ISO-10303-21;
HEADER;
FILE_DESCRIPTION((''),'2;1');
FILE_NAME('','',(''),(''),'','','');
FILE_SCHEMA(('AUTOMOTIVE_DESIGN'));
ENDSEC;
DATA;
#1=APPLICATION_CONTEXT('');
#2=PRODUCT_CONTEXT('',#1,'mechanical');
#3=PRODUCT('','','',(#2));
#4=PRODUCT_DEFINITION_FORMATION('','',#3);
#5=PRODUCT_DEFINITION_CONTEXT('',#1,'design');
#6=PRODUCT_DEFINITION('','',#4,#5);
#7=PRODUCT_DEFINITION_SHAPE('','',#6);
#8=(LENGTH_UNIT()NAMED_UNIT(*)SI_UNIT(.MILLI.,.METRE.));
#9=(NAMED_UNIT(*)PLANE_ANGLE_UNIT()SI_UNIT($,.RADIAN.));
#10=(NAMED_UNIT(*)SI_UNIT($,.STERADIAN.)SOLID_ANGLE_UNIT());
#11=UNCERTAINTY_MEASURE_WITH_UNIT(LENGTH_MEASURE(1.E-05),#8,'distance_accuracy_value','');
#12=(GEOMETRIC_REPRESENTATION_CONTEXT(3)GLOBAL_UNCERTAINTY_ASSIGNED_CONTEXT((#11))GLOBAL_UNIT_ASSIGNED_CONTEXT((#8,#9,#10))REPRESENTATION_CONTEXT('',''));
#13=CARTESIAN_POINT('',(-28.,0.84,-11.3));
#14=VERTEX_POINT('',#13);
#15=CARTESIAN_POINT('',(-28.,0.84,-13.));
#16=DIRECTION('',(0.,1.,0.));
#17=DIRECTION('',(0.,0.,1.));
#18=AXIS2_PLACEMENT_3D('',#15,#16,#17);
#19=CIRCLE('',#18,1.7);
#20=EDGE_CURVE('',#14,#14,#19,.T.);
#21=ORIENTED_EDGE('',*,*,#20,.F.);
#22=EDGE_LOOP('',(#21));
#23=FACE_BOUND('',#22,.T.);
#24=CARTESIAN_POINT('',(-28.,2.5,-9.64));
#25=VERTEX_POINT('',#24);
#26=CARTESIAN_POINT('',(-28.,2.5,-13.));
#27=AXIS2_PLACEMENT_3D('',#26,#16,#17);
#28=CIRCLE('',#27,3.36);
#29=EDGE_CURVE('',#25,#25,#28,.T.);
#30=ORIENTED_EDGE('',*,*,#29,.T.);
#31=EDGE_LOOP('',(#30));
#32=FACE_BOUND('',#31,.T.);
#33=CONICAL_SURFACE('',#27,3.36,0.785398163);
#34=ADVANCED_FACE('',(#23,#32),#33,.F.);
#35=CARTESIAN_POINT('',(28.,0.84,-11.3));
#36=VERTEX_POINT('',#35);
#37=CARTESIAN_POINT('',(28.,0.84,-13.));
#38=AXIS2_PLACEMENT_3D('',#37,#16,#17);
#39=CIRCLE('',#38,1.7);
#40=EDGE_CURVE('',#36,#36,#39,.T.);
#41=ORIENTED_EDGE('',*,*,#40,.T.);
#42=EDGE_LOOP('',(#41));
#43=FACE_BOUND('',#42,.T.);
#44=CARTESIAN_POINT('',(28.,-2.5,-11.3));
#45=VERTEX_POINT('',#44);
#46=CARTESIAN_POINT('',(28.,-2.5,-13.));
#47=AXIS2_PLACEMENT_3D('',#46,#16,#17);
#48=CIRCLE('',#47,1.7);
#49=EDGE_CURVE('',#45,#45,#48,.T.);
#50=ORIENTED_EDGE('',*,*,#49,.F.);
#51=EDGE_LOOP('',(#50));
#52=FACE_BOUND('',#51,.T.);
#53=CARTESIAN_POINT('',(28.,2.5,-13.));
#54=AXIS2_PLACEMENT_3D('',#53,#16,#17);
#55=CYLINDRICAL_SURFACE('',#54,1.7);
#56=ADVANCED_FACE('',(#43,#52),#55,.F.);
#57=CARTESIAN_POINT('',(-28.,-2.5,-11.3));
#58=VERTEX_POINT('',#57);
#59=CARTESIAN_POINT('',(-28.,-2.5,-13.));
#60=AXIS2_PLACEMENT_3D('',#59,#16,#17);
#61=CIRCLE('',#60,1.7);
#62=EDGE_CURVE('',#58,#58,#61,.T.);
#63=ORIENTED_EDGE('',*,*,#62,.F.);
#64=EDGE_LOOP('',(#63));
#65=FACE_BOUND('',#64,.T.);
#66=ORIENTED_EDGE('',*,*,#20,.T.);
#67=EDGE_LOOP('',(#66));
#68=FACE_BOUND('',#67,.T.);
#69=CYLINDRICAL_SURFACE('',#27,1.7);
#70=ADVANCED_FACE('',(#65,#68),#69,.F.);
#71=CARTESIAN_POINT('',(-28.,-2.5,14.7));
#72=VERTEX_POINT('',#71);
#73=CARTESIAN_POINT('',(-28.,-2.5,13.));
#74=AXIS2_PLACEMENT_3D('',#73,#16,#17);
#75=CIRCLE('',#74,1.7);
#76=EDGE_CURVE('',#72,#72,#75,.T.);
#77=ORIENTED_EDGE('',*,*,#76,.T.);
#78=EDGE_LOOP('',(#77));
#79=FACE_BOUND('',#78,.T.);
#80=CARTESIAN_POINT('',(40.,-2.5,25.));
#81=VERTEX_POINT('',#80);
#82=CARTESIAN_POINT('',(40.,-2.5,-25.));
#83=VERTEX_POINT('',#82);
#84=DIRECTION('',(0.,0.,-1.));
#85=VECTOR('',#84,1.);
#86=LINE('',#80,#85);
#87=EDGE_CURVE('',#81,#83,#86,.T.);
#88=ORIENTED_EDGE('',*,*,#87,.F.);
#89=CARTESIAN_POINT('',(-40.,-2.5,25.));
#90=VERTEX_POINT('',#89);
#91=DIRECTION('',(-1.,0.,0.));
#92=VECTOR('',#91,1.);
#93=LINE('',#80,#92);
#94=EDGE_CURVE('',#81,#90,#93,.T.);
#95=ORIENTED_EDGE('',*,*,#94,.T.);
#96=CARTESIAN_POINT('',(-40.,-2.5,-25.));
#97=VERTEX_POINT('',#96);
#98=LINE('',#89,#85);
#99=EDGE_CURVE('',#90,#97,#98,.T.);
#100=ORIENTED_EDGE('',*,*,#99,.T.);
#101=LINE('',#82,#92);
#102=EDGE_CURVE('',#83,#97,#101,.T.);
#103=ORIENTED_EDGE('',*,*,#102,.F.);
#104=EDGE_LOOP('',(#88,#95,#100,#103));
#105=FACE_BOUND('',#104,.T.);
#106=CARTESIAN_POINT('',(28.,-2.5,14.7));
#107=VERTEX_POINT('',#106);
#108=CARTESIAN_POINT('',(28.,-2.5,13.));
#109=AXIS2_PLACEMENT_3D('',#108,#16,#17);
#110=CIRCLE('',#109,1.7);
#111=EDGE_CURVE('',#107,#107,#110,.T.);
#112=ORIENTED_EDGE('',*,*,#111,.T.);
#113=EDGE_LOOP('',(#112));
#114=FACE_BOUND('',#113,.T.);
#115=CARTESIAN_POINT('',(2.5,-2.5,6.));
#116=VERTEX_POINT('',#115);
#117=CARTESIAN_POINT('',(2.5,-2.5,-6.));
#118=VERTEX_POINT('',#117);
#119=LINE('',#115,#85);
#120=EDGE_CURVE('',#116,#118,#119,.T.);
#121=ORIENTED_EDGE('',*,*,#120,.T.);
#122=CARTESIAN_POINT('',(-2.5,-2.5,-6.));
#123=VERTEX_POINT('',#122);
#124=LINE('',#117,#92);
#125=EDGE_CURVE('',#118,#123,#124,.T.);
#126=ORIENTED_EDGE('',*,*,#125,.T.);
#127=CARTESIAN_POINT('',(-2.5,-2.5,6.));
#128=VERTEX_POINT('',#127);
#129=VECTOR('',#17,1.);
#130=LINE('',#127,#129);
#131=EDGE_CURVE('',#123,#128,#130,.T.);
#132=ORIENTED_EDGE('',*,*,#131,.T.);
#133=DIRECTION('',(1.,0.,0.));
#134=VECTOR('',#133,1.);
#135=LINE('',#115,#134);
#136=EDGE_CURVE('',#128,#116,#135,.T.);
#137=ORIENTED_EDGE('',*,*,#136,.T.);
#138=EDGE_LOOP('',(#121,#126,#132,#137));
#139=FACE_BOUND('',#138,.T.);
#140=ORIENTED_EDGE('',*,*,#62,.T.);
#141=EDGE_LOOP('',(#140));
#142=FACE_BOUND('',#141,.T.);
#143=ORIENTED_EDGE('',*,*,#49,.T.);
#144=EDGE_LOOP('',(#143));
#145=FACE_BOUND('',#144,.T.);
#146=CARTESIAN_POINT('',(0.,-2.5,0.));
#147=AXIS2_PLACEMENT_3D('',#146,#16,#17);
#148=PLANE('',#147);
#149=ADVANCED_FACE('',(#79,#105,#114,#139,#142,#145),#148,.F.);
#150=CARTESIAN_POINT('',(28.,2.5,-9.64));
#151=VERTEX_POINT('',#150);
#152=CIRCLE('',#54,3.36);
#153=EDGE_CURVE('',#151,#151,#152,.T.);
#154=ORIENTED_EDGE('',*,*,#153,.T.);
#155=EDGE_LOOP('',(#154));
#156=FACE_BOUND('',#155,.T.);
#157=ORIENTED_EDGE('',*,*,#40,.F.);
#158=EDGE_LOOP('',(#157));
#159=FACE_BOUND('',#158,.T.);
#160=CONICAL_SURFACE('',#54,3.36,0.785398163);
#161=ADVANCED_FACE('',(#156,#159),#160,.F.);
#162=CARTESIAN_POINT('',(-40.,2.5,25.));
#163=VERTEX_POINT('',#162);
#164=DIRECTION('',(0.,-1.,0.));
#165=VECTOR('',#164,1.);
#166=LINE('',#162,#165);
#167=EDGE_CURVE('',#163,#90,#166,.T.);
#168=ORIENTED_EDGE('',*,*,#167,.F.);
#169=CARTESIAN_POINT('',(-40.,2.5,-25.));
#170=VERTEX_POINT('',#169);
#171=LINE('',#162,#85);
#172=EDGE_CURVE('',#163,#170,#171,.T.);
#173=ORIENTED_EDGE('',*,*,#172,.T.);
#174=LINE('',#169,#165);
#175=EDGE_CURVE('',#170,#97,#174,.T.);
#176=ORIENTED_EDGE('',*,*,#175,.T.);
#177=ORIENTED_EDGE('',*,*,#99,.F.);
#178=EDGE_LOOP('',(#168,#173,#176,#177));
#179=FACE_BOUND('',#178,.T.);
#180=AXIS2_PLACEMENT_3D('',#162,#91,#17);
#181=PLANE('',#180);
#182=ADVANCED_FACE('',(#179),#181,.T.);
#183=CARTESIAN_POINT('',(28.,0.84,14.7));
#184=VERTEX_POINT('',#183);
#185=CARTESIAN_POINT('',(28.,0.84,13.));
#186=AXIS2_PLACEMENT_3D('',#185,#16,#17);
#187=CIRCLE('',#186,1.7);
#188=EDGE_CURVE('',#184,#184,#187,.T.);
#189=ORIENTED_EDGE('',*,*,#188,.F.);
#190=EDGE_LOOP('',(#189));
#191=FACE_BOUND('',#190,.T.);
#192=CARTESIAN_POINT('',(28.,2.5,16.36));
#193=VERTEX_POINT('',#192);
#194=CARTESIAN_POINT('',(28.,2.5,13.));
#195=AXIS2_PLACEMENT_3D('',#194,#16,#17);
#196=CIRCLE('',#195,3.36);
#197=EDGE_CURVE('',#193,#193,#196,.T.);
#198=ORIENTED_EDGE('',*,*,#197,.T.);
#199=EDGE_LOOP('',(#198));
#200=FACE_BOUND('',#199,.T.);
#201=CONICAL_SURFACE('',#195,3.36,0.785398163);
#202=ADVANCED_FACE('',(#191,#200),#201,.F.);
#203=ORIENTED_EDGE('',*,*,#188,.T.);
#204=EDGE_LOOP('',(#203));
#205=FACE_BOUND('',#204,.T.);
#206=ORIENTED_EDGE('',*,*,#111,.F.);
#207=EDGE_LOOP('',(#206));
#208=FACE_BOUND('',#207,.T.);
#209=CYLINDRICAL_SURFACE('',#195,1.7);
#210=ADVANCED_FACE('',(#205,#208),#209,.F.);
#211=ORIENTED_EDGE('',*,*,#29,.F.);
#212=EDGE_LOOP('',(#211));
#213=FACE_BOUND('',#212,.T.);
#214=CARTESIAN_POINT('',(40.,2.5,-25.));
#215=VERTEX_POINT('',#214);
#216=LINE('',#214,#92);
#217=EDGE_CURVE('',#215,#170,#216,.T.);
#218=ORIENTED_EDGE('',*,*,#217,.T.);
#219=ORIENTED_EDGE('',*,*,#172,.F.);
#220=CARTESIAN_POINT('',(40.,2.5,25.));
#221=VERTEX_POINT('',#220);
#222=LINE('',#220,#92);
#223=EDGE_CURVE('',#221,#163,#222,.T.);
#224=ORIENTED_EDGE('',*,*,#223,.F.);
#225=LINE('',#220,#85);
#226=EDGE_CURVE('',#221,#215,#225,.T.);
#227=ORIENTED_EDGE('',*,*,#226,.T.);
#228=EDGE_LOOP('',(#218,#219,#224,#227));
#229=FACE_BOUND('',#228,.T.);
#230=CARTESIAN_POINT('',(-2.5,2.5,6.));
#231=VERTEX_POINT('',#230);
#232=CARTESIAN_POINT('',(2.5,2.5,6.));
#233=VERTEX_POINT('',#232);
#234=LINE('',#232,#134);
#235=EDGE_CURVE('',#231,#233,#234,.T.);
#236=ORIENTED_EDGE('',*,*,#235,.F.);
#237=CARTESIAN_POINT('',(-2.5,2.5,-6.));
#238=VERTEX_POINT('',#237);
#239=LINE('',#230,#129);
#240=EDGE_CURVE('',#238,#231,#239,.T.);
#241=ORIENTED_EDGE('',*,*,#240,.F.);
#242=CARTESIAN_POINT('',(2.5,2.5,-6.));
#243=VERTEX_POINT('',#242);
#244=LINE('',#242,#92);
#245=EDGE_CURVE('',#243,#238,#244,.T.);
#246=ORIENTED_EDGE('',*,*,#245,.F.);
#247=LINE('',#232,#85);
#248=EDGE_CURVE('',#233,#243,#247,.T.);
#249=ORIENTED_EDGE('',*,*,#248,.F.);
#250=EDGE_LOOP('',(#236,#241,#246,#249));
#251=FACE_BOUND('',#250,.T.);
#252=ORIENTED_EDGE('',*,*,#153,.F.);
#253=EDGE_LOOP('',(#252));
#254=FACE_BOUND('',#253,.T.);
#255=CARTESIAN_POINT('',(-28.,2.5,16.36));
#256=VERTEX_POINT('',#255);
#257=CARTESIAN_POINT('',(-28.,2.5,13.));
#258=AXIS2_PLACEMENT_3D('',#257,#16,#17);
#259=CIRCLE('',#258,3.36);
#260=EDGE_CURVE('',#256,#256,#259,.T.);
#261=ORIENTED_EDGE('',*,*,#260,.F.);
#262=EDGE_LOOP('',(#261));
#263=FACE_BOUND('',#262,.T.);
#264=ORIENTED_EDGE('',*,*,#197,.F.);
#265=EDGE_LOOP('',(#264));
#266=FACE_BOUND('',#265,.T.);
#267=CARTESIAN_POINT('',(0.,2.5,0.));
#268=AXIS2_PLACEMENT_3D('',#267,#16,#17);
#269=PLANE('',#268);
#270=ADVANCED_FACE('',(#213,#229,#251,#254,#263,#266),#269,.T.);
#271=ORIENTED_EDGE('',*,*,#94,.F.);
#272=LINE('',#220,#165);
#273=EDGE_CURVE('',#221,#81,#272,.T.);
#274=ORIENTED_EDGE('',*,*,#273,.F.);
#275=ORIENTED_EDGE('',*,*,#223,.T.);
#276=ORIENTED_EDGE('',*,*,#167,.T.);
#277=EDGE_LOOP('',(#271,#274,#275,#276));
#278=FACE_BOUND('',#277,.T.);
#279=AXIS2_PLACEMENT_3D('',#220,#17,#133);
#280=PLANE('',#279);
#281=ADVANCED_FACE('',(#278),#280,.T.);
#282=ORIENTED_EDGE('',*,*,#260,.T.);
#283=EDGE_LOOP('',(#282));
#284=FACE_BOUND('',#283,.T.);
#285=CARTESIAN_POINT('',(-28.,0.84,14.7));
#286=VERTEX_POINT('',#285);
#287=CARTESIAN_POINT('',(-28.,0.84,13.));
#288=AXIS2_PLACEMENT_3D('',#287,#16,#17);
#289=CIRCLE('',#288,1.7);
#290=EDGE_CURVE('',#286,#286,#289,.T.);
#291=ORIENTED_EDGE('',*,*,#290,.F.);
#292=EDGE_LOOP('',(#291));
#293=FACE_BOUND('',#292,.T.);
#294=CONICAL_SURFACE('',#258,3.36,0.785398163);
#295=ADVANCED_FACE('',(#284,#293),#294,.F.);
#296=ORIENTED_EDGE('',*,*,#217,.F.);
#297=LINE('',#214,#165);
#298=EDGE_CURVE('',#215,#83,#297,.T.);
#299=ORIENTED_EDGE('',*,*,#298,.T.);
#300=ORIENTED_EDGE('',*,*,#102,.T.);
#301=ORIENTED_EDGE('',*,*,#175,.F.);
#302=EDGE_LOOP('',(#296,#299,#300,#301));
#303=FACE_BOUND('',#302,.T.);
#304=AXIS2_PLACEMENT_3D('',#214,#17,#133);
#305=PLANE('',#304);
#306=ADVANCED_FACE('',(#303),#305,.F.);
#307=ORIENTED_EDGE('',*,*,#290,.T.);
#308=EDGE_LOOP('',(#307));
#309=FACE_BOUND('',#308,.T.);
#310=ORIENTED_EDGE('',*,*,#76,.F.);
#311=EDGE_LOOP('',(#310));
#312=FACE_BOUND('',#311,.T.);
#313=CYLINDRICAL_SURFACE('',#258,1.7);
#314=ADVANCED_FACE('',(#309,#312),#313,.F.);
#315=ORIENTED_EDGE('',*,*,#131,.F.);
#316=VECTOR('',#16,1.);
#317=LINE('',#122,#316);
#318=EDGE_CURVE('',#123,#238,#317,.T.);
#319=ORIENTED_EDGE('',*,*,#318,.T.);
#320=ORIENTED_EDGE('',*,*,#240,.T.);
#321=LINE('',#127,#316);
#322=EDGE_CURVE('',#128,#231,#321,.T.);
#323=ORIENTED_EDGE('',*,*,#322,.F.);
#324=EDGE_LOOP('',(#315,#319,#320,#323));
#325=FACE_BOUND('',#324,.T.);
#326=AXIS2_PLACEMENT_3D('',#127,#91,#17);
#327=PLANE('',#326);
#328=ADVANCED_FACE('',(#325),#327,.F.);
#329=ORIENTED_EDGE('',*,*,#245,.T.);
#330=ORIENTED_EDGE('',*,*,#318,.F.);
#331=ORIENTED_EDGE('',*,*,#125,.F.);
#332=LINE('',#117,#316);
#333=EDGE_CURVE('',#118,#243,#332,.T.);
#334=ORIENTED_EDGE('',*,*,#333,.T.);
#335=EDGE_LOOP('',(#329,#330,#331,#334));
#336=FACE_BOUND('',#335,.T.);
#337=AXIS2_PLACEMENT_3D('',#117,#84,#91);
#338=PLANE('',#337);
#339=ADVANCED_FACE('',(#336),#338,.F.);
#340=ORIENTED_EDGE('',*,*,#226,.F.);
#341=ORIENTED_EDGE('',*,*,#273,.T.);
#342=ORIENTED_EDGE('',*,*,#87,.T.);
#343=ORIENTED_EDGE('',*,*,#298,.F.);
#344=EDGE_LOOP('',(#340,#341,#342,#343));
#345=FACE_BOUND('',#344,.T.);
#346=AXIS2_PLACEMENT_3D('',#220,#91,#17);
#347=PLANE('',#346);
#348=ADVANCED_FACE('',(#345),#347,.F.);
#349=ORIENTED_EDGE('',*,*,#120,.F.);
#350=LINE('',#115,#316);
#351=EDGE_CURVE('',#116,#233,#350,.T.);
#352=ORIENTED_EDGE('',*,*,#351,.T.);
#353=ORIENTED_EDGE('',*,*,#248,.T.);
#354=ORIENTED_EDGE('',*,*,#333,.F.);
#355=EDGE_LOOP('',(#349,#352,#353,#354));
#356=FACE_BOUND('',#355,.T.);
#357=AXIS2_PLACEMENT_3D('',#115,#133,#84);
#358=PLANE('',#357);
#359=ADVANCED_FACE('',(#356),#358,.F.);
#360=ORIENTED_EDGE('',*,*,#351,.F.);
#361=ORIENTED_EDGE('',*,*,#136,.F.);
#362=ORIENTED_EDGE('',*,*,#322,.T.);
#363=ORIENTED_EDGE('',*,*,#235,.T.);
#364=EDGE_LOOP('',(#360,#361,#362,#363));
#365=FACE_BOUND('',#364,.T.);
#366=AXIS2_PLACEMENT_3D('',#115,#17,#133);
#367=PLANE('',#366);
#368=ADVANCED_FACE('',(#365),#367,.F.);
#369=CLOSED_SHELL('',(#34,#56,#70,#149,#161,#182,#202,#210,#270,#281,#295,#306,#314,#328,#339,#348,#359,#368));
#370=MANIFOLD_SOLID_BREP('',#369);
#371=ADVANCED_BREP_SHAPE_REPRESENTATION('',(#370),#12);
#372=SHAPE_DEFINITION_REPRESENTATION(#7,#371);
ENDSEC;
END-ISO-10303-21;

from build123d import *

# Parameters (mm, degrees)
SKETCH1_W                                            = 80
SKETCH1_H                                            = 50
BOSS_EXTRUDE1_DEPTH                                  = 2.5
SKETCH2_W                                            = 5
SKETCH2_H                                            = 12
CUT_EXTRUDE1_DEPTH                                   = 5
CSK_FOR_M3_HEX_SOCKET_COUNTERSUNK_CAP_SC_D           = 3.4
CSK_FOR_M3_HEX_SOCKET_COUNTERSUNK_CAP_SC_CSINK_D     = 6.72
CSK_FOR_M3_HEX_SOCKET_COUNTERSUNK_CAP_SC_CSINK_ANGLE = 90


with BuildPart() as part:
    # Sketch1 → Boss-Extrude1 (new, symmetric)
    with BuildSketch(Plane(origin=(0, 0, 0), x_dir=(1, 0, 0), z_dir=(0, 1, 0))):
        Rectangle(SKETCH1_W, SKETCH1_H)
    extrude(amount=BOSS_EXTRUDE1_DEPTH, both=True)

    # Sketch2 → Cut-Extrude1 (cut)
    with BuildSketch(Plane(origin=(0, 2.5, 0), x_dir=(1, 0, 0), z_dir=(0, 1, 0))):
        Rectangle(SKETCH2_W, SKETCH2_H)
    extrude(amount=-CUT_EXTRUDE1_DEPTH, mode=Mode.SUBTRACT)

    # CSK for M3 Hex Socket Countersunk Cap Screw1 (through all)
    with Locations(Plane(origin=(0, 2.5, 0), x_dir=(1, 0, 0), z_dir=(0, 1, 0))):
        with Locations((28, -13), (28, 13), (-28, -13), (-28, 13)):
            CounterSinkHole(CSK_FOR_M3_HEX_SOCKET_COUNTERSUNK_CAP_SC_D / 2, CSK_FOR_M3_HEX_SOCKET_COUNTERSUNK_CAP_SC_CSINK_D / 2, counter_sink_angle=CSK_FOR_M3_HEX_SOCKET_COUNTERSUNK_CAP_SC_CSINK_ANGLE)


solid = part.part
